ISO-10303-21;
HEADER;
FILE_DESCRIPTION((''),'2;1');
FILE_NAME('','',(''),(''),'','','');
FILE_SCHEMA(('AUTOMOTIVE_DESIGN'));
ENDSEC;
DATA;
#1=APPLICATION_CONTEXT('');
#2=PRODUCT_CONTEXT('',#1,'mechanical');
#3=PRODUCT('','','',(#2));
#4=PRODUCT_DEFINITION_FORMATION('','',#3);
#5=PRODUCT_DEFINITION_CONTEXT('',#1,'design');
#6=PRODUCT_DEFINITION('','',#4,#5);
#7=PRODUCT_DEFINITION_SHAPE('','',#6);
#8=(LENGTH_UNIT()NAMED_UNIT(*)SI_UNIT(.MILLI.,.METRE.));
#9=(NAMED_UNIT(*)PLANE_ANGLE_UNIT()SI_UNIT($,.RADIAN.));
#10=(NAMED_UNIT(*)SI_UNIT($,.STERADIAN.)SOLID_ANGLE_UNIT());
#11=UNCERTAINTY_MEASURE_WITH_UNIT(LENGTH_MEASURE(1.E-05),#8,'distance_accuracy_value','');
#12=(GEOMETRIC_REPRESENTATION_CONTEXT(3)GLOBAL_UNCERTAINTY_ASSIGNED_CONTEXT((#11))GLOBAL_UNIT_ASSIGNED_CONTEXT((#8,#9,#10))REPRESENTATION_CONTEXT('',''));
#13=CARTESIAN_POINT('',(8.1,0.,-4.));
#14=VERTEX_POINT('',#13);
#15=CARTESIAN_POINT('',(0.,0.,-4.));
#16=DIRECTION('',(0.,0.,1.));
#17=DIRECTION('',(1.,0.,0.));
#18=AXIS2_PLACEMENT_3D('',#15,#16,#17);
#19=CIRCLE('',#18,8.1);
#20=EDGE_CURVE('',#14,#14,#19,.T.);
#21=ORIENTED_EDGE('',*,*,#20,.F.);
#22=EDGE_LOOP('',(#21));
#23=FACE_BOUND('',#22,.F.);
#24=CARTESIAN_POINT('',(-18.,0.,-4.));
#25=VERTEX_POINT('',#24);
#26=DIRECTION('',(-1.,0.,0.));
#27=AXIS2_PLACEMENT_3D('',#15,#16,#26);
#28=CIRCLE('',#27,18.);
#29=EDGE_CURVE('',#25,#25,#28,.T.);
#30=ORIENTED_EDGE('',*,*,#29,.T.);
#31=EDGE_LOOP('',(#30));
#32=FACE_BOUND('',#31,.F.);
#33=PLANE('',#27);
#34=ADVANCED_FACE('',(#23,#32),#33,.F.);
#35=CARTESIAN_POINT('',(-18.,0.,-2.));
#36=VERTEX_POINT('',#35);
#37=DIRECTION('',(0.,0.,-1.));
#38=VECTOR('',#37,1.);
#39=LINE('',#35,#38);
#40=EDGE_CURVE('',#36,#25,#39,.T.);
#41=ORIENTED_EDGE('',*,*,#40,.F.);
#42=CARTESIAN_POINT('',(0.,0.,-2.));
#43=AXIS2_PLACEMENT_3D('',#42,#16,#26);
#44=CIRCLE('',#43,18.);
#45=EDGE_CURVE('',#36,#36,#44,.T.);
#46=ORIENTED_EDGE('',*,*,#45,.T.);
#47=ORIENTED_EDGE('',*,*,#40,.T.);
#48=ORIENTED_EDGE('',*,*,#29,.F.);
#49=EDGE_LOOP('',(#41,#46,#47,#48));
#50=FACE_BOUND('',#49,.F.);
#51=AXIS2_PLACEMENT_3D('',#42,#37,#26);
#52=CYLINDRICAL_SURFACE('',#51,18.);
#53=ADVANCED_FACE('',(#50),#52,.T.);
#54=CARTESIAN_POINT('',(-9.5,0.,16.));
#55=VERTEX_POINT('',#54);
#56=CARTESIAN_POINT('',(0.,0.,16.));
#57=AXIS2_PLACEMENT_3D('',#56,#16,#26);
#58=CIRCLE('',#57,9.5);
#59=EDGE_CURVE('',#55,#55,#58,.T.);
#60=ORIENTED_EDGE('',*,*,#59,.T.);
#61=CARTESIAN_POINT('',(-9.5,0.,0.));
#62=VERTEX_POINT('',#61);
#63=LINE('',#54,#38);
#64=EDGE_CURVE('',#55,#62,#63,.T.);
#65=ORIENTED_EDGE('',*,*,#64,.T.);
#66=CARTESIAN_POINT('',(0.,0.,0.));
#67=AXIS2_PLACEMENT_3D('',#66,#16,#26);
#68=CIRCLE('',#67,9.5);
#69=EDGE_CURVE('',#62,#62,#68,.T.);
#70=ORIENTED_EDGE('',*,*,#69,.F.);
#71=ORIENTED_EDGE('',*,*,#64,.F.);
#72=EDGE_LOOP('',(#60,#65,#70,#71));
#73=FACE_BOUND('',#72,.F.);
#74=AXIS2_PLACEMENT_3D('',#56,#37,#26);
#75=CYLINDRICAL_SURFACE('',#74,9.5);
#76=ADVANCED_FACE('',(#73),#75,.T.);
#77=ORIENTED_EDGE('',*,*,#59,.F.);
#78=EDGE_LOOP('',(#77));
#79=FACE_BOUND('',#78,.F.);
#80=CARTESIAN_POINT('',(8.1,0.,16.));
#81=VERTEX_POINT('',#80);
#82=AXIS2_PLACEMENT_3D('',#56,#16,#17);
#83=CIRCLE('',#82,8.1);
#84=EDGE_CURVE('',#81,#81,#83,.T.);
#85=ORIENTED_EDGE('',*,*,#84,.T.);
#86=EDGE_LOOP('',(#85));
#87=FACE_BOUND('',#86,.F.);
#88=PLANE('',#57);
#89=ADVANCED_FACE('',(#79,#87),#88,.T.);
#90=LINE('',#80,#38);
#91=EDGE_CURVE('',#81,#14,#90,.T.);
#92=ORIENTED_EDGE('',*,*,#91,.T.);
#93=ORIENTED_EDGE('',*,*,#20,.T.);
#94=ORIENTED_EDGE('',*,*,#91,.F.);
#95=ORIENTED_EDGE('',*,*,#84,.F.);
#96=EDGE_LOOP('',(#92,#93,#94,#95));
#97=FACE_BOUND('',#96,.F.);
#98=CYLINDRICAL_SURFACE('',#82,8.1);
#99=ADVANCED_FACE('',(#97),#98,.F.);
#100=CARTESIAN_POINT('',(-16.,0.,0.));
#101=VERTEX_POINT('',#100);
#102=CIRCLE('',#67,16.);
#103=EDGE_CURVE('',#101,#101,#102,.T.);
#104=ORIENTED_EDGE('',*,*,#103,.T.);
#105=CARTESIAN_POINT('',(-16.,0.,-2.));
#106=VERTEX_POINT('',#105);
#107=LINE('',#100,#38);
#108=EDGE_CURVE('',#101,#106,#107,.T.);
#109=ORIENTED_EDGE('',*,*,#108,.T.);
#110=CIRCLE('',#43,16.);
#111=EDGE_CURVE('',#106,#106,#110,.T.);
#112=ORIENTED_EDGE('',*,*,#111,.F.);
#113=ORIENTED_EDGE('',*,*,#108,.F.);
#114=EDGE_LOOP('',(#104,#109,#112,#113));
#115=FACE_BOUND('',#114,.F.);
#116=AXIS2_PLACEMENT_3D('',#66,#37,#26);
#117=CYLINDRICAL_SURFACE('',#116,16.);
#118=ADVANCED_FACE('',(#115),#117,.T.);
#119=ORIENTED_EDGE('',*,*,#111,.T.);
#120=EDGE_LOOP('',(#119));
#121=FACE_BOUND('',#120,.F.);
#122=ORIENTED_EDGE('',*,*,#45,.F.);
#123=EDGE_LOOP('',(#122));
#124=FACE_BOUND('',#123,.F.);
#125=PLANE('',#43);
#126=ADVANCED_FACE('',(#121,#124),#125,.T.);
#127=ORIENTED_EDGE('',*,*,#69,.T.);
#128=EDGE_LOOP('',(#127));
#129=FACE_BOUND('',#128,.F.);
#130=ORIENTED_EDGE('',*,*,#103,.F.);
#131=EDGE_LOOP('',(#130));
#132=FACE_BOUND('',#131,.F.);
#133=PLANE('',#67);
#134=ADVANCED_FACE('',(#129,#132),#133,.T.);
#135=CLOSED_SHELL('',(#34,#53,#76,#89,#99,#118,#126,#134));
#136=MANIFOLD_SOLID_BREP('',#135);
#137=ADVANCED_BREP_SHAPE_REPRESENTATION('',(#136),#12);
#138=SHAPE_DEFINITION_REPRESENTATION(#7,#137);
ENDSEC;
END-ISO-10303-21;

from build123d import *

# Parameters (mm, degrees)
F2_R     = 8.1
F3_DEPTH = 40


with BuildPart() as f1:
    # F0 (on Front) → F1 (revolve)
    with BuildSketch(Plane.XZ):
        Polygon((0, -4), (0, 0), (0, 16), (-9.5, 16), (-9.5, 0), (-16, 0), (-16, -2), (-18, -2), (-18, -4), align=None)
    revolve(axis=Axis((0, 0, -2), (0, 0, 1)))

    # F2 (on face) → F3 (cut)
    with BuildSketch(Plane.XY.offset(16)):
        Circle(F2_R)
    extrude(amount=-F3_DEPTH, mode=Mode.SUBTRACT)


solid = f1.part
